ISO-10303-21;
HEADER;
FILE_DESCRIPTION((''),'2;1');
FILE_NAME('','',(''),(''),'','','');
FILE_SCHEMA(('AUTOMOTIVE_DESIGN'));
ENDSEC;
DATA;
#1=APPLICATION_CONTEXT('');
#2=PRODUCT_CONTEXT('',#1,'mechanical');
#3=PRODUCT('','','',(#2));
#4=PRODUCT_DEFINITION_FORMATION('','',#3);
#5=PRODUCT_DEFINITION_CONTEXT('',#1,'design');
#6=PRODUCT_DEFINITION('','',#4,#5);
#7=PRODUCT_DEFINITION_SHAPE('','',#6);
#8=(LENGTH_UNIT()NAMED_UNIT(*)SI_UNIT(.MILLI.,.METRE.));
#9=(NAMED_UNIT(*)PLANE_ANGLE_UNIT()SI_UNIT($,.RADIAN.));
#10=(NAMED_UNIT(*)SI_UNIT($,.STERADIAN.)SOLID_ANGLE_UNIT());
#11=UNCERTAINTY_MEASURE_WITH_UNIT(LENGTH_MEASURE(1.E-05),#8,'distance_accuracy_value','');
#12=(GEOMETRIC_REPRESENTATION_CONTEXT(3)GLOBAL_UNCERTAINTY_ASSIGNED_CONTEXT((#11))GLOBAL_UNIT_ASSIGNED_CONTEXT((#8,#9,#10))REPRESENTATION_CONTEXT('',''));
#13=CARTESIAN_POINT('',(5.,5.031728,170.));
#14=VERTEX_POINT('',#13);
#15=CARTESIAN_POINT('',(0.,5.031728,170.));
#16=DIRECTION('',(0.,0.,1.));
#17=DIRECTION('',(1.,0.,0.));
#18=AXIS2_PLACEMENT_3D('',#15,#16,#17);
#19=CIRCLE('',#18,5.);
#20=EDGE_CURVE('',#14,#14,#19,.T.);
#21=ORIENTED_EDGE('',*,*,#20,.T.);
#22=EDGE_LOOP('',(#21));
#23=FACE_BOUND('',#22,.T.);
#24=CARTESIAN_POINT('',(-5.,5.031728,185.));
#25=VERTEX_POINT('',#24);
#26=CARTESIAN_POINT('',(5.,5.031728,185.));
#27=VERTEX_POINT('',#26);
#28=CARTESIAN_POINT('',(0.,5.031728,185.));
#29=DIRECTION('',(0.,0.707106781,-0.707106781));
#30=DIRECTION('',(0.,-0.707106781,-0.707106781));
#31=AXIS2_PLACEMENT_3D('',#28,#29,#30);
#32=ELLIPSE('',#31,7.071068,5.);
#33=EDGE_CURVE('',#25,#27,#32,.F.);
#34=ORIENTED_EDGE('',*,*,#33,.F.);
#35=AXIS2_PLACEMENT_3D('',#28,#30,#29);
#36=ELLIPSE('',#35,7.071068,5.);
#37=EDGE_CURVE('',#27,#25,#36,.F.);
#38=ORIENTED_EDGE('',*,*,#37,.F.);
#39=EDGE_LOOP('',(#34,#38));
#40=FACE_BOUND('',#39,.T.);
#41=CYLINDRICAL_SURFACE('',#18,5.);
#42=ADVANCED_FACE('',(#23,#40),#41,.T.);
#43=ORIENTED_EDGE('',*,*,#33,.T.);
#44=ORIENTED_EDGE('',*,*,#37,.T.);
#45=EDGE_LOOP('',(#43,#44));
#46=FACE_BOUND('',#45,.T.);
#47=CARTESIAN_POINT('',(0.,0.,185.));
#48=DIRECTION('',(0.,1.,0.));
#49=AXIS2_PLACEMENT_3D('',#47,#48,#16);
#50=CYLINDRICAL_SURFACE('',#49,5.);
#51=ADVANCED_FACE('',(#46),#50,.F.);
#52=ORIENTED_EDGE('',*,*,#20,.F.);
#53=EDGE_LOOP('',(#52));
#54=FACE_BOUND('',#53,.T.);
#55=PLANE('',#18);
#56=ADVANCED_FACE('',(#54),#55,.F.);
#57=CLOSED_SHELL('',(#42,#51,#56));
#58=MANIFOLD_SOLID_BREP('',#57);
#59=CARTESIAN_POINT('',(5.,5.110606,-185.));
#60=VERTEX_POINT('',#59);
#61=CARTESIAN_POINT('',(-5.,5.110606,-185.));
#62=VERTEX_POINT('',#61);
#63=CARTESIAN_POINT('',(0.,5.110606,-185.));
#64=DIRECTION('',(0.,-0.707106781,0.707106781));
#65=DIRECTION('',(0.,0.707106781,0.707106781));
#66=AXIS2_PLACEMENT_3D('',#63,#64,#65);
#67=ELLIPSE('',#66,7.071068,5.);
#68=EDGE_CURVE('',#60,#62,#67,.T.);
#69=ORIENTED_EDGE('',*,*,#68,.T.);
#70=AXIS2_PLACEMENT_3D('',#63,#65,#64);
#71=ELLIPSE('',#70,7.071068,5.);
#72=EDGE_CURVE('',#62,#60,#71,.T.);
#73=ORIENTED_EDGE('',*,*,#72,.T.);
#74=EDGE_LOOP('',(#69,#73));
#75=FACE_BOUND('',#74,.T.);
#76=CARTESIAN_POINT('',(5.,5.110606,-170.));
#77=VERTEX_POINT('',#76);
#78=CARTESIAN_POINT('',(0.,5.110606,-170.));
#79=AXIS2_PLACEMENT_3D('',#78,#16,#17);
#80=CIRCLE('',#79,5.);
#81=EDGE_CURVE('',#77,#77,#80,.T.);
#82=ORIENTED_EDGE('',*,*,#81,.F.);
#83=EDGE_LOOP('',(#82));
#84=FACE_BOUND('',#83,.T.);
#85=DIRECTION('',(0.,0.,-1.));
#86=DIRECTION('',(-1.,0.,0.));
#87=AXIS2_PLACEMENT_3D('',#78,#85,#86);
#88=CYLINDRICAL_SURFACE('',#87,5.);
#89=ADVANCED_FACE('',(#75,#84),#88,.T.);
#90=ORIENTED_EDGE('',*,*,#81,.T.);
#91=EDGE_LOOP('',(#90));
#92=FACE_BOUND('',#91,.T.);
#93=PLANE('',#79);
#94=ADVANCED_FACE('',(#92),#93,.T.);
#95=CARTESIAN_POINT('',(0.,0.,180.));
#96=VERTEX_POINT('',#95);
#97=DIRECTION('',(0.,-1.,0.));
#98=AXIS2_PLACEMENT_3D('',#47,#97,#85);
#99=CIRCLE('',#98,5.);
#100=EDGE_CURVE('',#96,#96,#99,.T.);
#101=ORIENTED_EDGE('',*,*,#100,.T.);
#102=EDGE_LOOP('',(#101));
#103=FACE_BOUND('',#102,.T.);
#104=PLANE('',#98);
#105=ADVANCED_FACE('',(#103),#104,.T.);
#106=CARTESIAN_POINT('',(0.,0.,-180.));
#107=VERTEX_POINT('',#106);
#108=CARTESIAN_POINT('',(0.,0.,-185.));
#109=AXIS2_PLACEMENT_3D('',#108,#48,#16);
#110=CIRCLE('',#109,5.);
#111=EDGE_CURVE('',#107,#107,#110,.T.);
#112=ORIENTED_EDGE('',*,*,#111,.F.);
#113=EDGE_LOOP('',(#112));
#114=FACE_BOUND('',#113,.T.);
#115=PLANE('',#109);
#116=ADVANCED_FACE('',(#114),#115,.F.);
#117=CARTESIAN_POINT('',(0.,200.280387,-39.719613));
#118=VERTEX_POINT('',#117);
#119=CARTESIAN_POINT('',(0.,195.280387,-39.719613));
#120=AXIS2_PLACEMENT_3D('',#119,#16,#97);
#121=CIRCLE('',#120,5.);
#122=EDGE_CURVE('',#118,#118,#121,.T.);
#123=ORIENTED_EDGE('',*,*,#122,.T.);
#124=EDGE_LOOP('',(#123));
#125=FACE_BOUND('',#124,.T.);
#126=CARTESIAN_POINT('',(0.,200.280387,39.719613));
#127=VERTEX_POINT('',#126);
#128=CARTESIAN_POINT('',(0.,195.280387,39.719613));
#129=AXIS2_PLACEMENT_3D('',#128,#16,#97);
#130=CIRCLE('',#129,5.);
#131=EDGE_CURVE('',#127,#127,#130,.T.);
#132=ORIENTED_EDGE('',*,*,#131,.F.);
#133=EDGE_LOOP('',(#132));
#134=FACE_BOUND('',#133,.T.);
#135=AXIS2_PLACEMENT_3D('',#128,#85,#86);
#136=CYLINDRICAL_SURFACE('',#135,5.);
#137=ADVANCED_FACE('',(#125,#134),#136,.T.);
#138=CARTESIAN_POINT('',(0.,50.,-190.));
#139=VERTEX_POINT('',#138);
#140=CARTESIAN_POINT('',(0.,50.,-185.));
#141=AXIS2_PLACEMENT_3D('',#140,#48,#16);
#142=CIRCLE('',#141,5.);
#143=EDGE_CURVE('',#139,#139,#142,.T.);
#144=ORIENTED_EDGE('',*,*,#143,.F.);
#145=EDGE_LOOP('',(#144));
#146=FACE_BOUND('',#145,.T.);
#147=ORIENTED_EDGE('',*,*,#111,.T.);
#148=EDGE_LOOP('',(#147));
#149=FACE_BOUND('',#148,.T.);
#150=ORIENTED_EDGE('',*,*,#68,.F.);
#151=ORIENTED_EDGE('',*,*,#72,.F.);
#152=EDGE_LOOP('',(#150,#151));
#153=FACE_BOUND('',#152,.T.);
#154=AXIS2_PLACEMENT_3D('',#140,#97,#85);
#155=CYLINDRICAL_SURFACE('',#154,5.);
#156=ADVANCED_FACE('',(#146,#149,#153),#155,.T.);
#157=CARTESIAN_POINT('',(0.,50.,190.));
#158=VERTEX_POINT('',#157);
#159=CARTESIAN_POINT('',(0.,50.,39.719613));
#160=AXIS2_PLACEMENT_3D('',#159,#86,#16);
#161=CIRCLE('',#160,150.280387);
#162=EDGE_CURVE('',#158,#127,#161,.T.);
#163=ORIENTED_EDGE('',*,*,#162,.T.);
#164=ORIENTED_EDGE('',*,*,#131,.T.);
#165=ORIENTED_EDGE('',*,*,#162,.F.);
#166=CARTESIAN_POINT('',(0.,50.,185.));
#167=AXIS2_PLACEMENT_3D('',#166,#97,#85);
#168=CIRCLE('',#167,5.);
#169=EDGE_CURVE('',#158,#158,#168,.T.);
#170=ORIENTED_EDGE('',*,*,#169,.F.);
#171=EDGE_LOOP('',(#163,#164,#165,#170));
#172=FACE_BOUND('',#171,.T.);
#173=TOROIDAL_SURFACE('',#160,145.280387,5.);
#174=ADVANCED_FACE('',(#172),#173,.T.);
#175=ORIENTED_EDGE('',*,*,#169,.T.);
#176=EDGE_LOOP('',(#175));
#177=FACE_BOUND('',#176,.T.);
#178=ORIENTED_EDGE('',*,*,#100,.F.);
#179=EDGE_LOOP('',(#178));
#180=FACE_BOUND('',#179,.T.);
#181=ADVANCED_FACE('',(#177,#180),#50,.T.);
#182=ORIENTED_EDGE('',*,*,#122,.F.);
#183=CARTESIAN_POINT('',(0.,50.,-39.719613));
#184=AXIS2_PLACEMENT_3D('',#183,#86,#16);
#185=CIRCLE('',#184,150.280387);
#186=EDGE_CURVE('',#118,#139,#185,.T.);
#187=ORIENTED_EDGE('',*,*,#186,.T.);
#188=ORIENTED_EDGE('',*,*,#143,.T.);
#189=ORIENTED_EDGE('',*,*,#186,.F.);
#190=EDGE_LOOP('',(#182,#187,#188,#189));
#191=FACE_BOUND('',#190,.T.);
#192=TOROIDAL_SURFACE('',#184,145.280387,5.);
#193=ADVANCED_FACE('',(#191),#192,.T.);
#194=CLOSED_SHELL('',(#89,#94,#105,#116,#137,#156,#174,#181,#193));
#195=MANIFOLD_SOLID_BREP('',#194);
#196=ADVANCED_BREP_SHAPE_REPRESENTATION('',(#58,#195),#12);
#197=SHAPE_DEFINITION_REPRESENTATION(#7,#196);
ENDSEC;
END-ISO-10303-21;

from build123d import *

# Parameters (mm, degrees)
SKETCH2_R                       = 5
SKETCH3_R                       = 5
BOSS_EXTRUDE1_DEPTH             = 10
BOSS_EXTRUDE1_DIRECTION_2_REACH = 12
BOSS_EXTRUDE2_START             = -5
SKETCH4_R                       = 5
BOSS_EXTRUDE2_DEPTH             = 15


with BuildPart() as part:
    # Sweep2: sweep along a path in Sketch1
    with BuildLine(Plane(origin=(0, 0, 0), x_dir=(0, 0, -1), z_dir=(1, 0, 0))) as sweep2_path:
        Line((-185, 0), (-185, 50))
        ThreePointArc((-185, 50), (-142.448359859, 152.728746731), (-39.719613128, 195.280386872))
        Line((-39.719613128, 195.280386872), (39.719613128, 195.280386872))
        ThreePointArc((39.719613128, 195.280386872), (142.448359859, 152.728746731), (185, 50))
        Line((185, 50), (185, 0))
    # Sketch2 → Sweep2 (sweep)
    with BuildSketch(Plane(origin=(0, 0, 0), x_dir=(1, 0, 0), z_dir=(0, 1, 0))):
        with Locations((0, 185)):
            Circle(SKETCH2_R)
    sweep(path=sweep2_path.line)


with BuildPart() as body_2:
    # Sketch3 → Boss-Extrude1 (new body)
    with BuildSketch(Plane.XY.offset(180)):
        with Locations((0, 5.031728254)):
            Circle(SKETCH3_R)
    extrude(amount=-BOSS_EXTRUDE1_DEPTH)


    # Sketch3 → Boss-Extrude1 direction 2 (add, up to next)
    with BuildSketch(Plane.XY.offset(180), mode=Mode.PRIVATE) as boss_extrude1_direction_2_sk1:
        with Locations((0, 5.031728254)):
            Circle(SKETCH3_R)
    boss_extrude1_direction_2_tool1 = extrude(boss_extrude1_direction_2_sk1.sketch, amount=BOSS_EXTRUDE1_DIRECTION_2_REACH, mode=Mode.PRIVATE) - part.part
    add(boss_extrude1_direction_2_tool1.solids().sort_by_distance((0, 5.031728, 180))[0])
    add(boss_extrude1_direction_2_tool1.solids().sort_by_distance((0, 5.031728, 180))[1])


with BuildPart() as part_1:
    add(part.part)

    # Sketch4 → Boss-Extrude2 (add)
    with BuildSketch(Plane.XY.offset(-180).offset(BOSS_EXTRUDE2_START)):
        with Locations((0, 5.110605583)):
            Circle(SKETCH4_R)
    extrude(amount=BOSS_EXTRUDE2_DEPTH)


solid = Compound([body_2.part, part_1.part])
